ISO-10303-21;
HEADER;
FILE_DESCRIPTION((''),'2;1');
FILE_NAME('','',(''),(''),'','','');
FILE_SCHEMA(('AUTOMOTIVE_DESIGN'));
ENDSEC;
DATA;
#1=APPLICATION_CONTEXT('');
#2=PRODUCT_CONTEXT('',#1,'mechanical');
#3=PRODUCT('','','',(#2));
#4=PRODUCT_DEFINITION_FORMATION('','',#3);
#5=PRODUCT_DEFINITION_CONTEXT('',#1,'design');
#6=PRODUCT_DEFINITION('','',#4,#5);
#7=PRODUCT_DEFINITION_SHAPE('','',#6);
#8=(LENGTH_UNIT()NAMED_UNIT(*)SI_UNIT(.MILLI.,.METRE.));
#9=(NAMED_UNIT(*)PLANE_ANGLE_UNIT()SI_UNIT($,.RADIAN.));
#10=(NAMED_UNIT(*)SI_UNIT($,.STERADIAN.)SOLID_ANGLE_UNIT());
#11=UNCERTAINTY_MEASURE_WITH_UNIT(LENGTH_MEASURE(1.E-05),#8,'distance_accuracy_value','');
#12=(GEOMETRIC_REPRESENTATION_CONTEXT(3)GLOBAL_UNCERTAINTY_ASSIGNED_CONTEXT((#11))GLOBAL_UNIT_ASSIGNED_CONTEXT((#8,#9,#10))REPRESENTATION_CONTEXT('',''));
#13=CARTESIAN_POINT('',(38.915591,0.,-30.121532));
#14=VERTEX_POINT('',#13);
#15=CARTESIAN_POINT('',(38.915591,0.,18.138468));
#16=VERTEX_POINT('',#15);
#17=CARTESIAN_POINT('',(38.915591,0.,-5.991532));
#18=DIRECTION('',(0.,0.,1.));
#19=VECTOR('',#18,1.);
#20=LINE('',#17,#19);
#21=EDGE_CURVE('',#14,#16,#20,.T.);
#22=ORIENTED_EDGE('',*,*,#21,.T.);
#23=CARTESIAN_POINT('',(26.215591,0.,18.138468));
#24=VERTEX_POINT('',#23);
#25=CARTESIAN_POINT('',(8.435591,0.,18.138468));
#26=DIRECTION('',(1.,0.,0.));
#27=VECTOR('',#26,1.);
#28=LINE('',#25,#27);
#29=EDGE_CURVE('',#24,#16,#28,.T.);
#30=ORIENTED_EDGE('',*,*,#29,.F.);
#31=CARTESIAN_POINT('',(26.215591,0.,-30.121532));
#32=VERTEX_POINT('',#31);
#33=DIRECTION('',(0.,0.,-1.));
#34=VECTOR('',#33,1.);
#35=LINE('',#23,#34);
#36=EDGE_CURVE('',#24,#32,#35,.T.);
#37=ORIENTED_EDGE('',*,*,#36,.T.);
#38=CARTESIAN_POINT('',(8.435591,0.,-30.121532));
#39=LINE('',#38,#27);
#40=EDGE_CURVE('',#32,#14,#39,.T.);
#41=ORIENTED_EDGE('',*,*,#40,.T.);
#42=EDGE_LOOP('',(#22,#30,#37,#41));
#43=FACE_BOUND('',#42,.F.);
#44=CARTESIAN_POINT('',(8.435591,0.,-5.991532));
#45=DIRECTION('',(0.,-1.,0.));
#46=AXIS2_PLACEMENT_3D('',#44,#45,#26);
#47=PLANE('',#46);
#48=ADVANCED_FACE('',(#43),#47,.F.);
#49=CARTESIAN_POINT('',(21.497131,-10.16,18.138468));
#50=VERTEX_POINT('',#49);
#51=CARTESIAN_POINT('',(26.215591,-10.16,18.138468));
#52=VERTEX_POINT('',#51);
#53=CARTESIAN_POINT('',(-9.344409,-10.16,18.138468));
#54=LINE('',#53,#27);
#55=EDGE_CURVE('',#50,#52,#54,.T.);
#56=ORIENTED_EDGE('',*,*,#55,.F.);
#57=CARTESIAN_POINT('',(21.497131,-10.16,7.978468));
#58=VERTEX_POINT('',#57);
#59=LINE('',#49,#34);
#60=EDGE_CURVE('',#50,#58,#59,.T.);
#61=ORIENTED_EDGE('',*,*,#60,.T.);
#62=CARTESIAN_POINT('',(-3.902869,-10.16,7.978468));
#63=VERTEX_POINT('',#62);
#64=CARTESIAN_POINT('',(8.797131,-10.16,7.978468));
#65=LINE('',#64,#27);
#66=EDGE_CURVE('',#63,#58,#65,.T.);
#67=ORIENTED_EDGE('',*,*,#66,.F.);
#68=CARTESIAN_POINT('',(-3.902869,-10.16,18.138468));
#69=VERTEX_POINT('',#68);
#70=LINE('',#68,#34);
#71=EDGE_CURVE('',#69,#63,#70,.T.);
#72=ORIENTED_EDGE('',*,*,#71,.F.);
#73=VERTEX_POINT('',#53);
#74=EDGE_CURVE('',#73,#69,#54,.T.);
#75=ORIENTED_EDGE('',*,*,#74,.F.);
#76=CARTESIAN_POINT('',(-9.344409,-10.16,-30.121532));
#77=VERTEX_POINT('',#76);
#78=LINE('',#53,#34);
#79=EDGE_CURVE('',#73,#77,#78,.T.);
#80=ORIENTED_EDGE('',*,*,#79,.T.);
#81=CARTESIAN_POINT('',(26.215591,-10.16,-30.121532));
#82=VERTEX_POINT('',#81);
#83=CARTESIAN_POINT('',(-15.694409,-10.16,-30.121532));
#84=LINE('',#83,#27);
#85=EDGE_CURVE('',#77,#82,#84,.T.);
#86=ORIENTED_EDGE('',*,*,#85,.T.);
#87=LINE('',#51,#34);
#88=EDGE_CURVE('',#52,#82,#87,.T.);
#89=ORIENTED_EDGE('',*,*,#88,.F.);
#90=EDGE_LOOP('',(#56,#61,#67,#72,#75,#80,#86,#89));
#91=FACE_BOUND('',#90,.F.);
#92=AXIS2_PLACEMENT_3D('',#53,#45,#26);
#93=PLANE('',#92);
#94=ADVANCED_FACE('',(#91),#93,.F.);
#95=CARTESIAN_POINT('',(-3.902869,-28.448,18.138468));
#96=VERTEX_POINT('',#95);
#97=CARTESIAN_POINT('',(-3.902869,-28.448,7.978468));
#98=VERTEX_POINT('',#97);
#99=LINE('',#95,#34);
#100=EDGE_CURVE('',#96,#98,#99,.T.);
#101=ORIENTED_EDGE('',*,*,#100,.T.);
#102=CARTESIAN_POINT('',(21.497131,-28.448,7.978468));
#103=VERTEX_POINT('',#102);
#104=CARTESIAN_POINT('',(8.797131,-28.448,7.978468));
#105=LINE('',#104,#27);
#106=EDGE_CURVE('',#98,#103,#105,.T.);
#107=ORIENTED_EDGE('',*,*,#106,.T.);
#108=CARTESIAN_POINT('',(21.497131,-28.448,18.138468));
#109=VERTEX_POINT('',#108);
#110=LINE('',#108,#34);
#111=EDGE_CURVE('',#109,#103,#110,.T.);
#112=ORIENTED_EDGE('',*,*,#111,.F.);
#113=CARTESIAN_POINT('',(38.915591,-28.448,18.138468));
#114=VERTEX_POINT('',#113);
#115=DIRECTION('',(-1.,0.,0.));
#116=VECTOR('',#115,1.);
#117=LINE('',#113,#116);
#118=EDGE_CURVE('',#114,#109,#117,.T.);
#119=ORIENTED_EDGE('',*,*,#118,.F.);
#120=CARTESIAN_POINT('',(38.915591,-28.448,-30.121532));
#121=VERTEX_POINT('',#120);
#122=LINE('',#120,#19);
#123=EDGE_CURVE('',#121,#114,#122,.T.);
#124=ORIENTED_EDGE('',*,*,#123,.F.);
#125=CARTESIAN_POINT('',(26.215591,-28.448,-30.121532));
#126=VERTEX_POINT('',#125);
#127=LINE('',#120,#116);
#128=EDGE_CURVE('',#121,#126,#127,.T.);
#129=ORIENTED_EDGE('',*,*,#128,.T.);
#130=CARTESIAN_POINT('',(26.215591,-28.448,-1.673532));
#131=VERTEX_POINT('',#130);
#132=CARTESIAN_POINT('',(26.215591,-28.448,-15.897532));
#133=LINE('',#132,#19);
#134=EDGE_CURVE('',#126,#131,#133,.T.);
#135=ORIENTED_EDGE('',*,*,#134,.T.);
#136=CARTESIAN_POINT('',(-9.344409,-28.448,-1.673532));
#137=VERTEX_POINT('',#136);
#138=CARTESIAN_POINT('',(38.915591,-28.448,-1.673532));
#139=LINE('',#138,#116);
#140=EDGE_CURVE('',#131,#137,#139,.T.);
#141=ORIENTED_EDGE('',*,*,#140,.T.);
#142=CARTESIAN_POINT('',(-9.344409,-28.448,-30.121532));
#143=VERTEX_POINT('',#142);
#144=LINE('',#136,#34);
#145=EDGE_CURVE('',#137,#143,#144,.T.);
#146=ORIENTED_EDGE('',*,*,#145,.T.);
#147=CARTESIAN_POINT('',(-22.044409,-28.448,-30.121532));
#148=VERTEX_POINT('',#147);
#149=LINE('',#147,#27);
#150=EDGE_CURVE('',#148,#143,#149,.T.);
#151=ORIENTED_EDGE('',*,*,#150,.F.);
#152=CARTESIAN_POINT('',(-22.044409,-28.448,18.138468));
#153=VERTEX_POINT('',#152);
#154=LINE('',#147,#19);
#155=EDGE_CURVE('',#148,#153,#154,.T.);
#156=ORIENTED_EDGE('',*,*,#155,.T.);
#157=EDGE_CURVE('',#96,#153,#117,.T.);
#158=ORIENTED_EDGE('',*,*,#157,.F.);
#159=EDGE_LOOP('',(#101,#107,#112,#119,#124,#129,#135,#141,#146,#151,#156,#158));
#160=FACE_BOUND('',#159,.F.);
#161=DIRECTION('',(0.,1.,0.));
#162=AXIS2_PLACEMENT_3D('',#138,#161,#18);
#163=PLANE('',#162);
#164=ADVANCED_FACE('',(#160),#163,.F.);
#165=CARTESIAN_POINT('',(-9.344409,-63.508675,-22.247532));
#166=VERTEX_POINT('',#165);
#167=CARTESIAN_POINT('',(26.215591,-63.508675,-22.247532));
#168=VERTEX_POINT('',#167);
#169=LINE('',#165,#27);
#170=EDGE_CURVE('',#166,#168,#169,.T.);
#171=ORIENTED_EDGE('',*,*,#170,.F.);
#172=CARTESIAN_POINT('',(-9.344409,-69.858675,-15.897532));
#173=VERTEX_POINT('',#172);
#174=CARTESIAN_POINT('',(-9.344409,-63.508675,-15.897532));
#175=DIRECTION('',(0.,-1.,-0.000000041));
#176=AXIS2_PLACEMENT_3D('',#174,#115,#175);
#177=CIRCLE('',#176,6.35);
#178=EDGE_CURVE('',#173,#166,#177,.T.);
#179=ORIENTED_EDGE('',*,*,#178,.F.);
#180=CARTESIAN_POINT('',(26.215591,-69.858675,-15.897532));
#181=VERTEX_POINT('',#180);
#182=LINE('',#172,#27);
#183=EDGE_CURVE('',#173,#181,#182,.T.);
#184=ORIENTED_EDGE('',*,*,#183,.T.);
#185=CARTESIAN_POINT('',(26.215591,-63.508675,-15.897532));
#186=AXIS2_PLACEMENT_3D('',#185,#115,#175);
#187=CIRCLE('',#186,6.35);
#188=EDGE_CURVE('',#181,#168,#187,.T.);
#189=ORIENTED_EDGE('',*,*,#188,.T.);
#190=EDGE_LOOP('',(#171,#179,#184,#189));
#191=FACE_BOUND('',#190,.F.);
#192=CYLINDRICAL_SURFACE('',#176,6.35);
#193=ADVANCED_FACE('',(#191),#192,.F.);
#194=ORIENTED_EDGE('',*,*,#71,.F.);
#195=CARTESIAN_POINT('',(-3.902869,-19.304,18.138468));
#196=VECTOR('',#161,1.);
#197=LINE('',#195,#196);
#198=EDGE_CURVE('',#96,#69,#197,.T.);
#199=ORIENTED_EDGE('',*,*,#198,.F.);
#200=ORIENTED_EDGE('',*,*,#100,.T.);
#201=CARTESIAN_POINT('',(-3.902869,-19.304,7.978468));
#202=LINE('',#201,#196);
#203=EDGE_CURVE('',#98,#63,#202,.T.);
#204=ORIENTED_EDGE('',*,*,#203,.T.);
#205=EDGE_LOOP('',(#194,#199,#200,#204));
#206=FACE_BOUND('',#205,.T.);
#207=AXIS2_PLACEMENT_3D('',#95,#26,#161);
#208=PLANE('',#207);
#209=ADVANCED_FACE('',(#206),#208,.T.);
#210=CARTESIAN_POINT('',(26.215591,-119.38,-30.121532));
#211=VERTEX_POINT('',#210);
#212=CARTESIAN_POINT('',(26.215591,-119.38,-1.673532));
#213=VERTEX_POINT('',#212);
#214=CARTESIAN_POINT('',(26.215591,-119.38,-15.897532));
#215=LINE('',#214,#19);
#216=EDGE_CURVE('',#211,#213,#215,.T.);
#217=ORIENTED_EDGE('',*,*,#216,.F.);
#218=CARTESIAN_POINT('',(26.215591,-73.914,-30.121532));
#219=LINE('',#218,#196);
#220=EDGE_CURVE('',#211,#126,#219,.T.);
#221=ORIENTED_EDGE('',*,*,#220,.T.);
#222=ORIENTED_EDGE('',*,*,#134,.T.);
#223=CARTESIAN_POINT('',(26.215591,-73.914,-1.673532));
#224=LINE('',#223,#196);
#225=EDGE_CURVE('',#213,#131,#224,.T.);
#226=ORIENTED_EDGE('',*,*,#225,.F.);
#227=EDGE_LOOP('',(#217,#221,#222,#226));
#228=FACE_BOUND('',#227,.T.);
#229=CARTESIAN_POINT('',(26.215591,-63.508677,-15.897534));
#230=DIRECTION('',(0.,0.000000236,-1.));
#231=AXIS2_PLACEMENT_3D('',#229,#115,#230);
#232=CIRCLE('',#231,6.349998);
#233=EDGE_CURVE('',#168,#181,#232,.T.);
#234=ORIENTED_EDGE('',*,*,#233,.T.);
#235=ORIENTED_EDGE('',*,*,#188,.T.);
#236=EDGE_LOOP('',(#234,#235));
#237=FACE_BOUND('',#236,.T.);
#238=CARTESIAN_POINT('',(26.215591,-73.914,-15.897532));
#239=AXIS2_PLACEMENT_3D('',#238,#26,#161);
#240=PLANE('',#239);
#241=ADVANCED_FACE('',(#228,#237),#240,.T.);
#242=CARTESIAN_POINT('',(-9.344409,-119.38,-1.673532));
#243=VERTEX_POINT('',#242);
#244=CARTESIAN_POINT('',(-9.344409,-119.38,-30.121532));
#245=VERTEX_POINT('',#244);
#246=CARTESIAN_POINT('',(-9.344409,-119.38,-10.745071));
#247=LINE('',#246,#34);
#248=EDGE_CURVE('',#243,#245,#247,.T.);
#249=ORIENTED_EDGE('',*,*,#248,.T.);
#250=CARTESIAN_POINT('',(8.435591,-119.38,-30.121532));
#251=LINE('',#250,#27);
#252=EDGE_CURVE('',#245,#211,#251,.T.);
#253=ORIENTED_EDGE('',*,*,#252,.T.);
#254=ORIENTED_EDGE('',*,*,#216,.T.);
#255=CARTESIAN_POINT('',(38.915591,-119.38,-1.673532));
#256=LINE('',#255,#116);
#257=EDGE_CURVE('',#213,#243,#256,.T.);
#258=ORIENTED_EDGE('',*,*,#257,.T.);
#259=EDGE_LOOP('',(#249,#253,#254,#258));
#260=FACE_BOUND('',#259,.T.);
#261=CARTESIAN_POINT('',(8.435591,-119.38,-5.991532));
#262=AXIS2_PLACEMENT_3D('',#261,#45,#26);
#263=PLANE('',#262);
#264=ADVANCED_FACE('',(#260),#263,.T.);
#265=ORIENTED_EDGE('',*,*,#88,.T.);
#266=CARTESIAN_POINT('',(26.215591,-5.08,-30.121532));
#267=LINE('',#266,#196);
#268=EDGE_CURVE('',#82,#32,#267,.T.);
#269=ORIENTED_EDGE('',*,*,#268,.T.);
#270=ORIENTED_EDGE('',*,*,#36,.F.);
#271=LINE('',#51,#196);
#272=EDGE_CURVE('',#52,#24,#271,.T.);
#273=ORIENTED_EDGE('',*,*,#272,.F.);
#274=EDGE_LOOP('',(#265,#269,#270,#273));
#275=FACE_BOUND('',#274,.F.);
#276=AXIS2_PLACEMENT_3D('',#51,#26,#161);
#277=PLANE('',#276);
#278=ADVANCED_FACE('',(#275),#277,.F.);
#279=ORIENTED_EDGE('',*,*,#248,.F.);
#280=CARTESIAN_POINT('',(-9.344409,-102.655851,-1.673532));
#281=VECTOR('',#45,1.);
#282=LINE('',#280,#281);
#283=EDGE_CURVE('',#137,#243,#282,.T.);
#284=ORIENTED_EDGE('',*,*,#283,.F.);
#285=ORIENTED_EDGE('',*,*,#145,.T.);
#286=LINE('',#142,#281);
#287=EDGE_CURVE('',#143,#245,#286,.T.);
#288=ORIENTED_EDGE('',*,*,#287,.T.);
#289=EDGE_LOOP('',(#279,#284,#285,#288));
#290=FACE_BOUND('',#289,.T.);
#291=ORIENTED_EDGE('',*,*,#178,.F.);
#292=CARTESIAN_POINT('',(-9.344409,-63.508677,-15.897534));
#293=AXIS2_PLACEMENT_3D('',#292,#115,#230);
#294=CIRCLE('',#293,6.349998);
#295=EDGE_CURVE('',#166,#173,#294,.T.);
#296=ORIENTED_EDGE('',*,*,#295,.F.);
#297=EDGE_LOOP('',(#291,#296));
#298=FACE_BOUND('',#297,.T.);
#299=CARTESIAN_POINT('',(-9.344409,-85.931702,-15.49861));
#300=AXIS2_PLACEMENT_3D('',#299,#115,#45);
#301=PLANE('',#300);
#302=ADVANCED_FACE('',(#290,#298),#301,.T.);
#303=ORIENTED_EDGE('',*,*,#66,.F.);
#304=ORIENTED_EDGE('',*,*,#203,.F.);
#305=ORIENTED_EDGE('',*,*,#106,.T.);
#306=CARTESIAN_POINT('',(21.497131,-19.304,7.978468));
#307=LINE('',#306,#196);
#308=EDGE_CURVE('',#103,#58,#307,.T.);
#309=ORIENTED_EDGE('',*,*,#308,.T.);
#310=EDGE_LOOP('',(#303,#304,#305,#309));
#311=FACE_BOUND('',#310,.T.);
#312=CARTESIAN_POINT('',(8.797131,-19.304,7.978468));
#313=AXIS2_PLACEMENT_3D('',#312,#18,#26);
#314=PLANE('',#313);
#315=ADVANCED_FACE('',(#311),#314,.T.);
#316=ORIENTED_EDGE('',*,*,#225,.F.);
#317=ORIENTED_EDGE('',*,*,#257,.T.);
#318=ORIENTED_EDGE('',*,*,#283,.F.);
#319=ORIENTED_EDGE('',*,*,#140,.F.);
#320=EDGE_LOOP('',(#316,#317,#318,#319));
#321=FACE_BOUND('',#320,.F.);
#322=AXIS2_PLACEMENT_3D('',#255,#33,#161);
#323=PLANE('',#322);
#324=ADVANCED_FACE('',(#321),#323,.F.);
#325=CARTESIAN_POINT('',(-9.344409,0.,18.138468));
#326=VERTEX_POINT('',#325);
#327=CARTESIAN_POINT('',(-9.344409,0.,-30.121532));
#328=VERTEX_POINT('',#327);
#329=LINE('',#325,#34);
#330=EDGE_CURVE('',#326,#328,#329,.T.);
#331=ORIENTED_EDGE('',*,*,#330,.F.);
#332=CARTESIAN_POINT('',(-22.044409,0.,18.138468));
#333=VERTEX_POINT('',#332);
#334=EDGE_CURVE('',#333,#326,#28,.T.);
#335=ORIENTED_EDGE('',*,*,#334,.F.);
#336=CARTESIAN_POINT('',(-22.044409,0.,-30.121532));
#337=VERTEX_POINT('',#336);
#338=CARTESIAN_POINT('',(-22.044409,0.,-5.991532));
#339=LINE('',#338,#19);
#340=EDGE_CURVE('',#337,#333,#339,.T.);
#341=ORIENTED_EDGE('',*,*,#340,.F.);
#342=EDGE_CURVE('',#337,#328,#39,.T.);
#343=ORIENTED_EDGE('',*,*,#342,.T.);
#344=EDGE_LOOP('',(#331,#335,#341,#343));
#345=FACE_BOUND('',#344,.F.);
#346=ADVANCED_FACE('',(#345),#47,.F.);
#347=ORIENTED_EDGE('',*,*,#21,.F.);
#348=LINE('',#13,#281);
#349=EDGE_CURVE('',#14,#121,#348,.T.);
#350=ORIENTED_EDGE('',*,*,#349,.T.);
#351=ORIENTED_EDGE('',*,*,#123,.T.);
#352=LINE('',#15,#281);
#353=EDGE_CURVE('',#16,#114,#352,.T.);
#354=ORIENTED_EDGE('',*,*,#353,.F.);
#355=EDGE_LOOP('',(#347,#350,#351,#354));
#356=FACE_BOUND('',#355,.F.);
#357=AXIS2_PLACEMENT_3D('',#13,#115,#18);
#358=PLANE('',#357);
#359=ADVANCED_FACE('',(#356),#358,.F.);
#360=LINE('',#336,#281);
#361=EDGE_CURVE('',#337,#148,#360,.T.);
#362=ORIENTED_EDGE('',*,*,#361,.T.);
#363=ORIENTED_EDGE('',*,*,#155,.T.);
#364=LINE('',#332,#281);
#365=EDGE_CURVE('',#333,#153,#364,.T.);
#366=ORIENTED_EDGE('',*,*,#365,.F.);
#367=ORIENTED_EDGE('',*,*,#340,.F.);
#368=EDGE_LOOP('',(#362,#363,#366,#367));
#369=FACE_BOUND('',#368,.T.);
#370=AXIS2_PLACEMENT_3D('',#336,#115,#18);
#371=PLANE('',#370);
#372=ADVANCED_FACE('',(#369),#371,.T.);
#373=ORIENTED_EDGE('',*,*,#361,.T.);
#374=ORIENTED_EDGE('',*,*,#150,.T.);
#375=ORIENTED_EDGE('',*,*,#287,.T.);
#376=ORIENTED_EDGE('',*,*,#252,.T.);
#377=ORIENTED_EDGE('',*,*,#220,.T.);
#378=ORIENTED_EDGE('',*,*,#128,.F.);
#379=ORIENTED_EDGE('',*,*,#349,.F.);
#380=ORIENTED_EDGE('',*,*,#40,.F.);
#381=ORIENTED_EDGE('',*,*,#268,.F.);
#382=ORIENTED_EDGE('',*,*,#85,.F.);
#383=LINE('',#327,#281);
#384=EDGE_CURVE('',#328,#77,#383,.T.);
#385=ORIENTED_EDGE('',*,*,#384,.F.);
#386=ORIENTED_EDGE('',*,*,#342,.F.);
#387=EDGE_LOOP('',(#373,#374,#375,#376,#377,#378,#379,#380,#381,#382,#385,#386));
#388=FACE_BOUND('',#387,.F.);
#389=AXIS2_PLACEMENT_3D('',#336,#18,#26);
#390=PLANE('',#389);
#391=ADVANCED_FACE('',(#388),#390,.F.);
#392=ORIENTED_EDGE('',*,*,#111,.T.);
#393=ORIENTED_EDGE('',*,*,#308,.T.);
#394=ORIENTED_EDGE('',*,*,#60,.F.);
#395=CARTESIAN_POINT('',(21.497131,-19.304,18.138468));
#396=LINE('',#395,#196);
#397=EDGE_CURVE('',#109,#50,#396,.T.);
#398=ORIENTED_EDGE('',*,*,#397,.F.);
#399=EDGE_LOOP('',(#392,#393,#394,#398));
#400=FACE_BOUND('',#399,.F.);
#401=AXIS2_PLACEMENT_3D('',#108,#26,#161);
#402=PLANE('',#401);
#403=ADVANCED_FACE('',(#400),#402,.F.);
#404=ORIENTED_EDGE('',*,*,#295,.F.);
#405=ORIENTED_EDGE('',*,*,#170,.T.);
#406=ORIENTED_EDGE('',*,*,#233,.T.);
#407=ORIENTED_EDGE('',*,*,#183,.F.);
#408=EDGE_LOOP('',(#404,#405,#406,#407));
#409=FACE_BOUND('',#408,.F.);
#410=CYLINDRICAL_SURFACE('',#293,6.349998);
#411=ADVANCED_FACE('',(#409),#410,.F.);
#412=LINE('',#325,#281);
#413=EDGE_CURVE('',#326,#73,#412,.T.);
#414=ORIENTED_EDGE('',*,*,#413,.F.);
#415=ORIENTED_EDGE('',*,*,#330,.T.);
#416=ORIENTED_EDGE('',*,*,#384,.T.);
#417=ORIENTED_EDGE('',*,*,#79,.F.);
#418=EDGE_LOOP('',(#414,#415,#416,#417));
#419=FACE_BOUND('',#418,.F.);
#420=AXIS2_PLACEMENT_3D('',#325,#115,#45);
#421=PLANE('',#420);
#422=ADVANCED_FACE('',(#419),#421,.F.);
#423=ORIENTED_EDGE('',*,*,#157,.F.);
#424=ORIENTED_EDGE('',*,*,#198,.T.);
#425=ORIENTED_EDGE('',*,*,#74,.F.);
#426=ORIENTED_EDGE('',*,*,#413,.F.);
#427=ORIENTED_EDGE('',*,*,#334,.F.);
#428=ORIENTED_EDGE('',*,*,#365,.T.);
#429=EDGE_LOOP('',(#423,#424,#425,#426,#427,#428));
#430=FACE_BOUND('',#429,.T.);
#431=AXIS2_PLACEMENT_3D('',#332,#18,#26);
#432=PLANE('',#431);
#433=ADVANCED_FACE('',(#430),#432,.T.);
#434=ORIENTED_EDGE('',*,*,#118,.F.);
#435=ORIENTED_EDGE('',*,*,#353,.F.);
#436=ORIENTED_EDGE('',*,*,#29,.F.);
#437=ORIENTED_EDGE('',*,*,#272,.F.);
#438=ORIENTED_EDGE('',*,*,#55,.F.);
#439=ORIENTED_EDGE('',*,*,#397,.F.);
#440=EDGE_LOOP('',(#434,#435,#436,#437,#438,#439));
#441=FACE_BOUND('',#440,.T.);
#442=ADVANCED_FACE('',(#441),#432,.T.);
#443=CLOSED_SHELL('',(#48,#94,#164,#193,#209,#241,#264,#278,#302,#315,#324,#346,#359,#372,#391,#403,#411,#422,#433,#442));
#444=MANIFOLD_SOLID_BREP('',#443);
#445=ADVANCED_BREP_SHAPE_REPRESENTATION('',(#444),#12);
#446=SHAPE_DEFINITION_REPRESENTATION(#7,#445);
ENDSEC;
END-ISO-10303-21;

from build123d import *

# Parameters (mm, degrees)
F0_W      = 60.96
F0_H      = 48.26
F1_DEPTH  = 119.38
F3_DEPTH  = 130.81
F2_W      = 25.4
F2_H      = 18.288
F4_DEPTH  = 10.16
F6_DEPTH  = 12.7
F7_W      = 90.932
F7_H      = 28.448
F8_DEPTH  = 12.7
F9_W      = 90.932
F9_H      = 19.812
F10_DEPTH = 84.328
F12_DEPTH = 131.064


with BuildPart() as f1:
    # F0 (on Front) → F1 (new body)
    with BuildSketch(Plane.XZ):
        with Locations((8.435591, -5.991532)):
            Rectangle(F0_W, F0_H)
    extrude(amount=F1_DEPTH)

    # F2 (on face) → F3 (cut)
    with BuildSketch(Plane.XY.offset(18.138468)):
        Polygon((26.215591, 0), (-9.344409, 0), (-9.344409, -10.16), (-3.902869, -10.16), (21.497131, -10.16), (26.215591, -10.16), align=None)
    extrude(amount=-F3_DEPTH, mode=Mode.SUBTRACT)

    # F2 (on face) → F4 (cut)
    with BuildSketch(Plane.XY.offset(18.138468)):
        with Locations((8.797131, -19.304)):
            Rectangle(F2_W, F2_H)
    extrude(amount=-F4_DEPTH, mode=Mode.SUBTRACT)

    # F5 (on face) → F6 (cut)
    with BuildSketch(Plane(origin=(-22.044409, 0, 0), x_dir=(0, -1, 0), z_dir=(-1, 0, 0))):
        Polygon((28.448, -1.673532), (28.448, -30.121532), (142.968658, -30.121532), (142.526776, 0), align=None)
    extrude(amount=-F6_DEPTH, mode=Mode.SUBTRACT)

    # F7 (on face) → F8 (cut)
    with BuildSketch(Plane.YZ.offset(38.915591)):
        with Locations((-73.914, -15.897532)):
            Rectangle(F7_W, F7_H)
    extrude(amount=-F8_DEPTH, mode=Mode.SUBTRACT)

    # F9 (on face) → F10 (cut)
    with BuildSketch(Plane.YZ.offset(38.915591)):
        with Locations((-73.914, 8.232468)):
            Rectangle(F9_W, F9_H)
    extrude(amount=-F10_DEPTH, mode=Mode.SUBTRACT)

    # F11 (on face) → F12 (cut)
    with BuildSketch(Plane(origin=(-9.344409, 0, 0), x_dir=(0, -1, 0), z_dir=(-1, 0, 0))):
        with BuildLine():
            ThreePointArc((63.508675, -22.247532), (67.998803, -20.387661), (69.858675, -15.897532))
            ThreePointArc((69.858675, -15.897532), (59.018546, -11.407404), (63.508675, -22.247532))
        make_face()
    extrude(amount=-F12_DEPTH, mode=Mode.SUBTRACT)


solid = f1.part
